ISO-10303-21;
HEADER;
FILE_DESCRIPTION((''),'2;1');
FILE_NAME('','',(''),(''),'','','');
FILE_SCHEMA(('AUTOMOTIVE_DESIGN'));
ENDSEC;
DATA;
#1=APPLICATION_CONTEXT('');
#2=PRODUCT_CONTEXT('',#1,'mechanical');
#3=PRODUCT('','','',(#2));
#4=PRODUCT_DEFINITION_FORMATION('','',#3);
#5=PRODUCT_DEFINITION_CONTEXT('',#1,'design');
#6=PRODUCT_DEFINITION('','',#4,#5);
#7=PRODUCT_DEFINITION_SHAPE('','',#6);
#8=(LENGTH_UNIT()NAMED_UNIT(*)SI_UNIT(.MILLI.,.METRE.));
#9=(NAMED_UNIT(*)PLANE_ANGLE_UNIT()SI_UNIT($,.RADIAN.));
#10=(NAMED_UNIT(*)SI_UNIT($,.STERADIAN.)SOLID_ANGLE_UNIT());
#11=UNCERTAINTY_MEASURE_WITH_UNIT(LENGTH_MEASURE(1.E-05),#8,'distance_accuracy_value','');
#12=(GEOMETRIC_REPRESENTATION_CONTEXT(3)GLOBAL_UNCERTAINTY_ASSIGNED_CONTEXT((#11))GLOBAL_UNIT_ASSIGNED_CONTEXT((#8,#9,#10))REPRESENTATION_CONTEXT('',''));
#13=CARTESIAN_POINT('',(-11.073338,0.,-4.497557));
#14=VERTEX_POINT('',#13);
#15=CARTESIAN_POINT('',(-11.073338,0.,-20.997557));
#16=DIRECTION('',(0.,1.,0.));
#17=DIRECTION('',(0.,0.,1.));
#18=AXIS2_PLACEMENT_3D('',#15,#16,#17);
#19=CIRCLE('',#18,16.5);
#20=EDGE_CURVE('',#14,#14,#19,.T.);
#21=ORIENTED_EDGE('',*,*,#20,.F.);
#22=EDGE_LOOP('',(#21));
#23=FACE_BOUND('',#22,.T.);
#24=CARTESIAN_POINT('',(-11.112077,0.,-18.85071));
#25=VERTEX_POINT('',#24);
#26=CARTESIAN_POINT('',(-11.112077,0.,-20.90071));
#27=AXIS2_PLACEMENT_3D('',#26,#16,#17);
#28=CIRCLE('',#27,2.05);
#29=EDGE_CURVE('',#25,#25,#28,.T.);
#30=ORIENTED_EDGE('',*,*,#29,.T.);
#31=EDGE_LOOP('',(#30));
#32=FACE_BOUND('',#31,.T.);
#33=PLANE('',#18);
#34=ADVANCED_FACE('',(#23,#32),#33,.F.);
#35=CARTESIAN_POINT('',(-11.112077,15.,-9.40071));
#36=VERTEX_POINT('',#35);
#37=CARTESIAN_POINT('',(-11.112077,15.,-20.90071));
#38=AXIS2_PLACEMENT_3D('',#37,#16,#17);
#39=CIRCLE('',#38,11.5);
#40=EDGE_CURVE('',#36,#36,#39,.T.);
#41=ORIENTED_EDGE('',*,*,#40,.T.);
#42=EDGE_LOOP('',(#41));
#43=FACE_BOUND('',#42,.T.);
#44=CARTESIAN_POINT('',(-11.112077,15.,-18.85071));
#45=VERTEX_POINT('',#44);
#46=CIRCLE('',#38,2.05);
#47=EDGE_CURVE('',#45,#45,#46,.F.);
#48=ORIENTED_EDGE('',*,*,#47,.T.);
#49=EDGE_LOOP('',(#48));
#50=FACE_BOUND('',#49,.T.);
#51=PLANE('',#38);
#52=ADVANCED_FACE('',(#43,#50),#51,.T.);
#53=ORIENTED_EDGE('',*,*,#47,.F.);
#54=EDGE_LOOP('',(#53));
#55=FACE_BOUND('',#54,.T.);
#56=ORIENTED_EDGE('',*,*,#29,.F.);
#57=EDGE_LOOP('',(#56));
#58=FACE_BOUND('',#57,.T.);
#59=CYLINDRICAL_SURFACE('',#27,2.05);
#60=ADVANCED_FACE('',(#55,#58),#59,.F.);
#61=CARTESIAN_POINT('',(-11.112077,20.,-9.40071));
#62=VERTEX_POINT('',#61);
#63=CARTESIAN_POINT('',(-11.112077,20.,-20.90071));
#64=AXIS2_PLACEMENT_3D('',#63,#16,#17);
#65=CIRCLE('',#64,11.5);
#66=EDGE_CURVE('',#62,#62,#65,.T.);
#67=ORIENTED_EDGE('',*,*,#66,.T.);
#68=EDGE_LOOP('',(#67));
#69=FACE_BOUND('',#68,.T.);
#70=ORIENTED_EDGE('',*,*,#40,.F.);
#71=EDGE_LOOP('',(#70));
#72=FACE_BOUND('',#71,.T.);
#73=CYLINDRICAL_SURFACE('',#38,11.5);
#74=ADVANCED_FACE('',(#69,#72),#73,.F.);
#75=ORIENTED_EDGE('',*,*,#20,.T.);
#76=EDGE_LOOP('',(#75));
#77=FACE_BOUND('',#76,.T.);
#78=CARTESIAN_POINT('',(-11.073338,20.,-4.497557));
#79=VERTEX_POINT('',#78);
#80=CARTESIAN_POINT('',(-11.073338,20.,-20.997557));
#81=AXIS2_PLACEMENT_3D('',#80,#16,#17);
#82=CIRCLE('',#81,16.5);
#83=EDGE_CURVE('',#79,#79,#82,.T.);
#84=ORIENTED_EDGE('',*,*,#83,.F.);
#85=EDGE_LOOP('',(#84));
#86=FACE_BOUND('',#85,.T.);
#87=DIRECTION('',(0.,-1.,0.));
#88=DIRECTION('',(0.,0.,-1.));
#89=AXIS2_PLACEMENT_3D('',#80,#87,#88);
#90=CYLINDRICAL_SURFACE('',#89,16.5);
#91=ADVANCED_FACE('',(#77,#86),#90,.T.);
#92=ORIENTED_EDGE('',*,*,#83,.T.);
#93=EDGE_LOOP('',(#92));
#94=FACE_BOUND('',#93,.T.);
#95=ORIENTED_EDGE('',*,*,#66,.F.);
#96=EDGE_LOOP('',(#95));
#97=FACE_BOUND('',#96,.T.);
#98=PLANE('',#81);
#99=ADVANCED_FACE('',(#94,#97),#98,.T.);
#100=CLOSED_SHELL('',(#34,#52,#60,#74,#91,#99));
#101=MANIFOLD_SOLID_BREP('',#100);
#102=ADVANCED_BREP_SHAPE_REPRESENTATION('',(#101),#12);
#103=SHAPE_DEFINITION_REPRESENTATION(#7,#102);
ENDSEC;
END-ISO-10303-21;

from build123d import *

# Parameters (mm, degrees)
SKETCH1_R           = 16.5
BOSS_EXTRUDE1_DEPTH = 20
SKETCH2_R           = 2.05
CUT_EXTRUDE1_DEPTH  = 51.659211704
SKETCH9_R           = 11.5
CUT_EXTRUDE2_DEPTH  = 5


with BuildPart() as part:
    # Sketch1 → Boss-Extrude1 (new body)
    with BuildSketch(Plane(origin=(0, 0, 0), x_dir=(1, 0, 0), z_dir=(0, 1, 0))):
        with Locations(Location((-11.073338277, 20.997556543, 0), (0, 0, 270))):
            Circle(SKETCH1_R)
    extrude(amount=BOSS_EXTRUDE1_DEPTH)

    # Sketch2 → Cut-Extrude1 (cut, through all)
    with BuildSketch(Plane(origin=(0, 20, 0), x_dir=(1, 0, 0), z_dir=(0, 1, 0))):
        with Locations(Location((-11.112077012, 20.900709706, 0), (0, 0, 270))):
            Circle(SKETCH2_R)
    extrude(amount=-CUT_EXTRUDE1_DEPTH, mode=Mode.SUBTRACT)

    # Sketch9 → Cut-Extrude2 (cut)
    with BuildSketch(Plane(origin=(0, 20, 0), x_dir=(1, 0, 0), z_dir=(0, 1, 0))):
        with Locations(Location((-11.112077012, 20.900709706, 0), (0, 0, 270))):
            Circle(SKETCH9_R)
    extrude(amount=-CUT_EXTRUDE2_DEPTH, mode=Mode.SUBTRACT)


solid = part.part
